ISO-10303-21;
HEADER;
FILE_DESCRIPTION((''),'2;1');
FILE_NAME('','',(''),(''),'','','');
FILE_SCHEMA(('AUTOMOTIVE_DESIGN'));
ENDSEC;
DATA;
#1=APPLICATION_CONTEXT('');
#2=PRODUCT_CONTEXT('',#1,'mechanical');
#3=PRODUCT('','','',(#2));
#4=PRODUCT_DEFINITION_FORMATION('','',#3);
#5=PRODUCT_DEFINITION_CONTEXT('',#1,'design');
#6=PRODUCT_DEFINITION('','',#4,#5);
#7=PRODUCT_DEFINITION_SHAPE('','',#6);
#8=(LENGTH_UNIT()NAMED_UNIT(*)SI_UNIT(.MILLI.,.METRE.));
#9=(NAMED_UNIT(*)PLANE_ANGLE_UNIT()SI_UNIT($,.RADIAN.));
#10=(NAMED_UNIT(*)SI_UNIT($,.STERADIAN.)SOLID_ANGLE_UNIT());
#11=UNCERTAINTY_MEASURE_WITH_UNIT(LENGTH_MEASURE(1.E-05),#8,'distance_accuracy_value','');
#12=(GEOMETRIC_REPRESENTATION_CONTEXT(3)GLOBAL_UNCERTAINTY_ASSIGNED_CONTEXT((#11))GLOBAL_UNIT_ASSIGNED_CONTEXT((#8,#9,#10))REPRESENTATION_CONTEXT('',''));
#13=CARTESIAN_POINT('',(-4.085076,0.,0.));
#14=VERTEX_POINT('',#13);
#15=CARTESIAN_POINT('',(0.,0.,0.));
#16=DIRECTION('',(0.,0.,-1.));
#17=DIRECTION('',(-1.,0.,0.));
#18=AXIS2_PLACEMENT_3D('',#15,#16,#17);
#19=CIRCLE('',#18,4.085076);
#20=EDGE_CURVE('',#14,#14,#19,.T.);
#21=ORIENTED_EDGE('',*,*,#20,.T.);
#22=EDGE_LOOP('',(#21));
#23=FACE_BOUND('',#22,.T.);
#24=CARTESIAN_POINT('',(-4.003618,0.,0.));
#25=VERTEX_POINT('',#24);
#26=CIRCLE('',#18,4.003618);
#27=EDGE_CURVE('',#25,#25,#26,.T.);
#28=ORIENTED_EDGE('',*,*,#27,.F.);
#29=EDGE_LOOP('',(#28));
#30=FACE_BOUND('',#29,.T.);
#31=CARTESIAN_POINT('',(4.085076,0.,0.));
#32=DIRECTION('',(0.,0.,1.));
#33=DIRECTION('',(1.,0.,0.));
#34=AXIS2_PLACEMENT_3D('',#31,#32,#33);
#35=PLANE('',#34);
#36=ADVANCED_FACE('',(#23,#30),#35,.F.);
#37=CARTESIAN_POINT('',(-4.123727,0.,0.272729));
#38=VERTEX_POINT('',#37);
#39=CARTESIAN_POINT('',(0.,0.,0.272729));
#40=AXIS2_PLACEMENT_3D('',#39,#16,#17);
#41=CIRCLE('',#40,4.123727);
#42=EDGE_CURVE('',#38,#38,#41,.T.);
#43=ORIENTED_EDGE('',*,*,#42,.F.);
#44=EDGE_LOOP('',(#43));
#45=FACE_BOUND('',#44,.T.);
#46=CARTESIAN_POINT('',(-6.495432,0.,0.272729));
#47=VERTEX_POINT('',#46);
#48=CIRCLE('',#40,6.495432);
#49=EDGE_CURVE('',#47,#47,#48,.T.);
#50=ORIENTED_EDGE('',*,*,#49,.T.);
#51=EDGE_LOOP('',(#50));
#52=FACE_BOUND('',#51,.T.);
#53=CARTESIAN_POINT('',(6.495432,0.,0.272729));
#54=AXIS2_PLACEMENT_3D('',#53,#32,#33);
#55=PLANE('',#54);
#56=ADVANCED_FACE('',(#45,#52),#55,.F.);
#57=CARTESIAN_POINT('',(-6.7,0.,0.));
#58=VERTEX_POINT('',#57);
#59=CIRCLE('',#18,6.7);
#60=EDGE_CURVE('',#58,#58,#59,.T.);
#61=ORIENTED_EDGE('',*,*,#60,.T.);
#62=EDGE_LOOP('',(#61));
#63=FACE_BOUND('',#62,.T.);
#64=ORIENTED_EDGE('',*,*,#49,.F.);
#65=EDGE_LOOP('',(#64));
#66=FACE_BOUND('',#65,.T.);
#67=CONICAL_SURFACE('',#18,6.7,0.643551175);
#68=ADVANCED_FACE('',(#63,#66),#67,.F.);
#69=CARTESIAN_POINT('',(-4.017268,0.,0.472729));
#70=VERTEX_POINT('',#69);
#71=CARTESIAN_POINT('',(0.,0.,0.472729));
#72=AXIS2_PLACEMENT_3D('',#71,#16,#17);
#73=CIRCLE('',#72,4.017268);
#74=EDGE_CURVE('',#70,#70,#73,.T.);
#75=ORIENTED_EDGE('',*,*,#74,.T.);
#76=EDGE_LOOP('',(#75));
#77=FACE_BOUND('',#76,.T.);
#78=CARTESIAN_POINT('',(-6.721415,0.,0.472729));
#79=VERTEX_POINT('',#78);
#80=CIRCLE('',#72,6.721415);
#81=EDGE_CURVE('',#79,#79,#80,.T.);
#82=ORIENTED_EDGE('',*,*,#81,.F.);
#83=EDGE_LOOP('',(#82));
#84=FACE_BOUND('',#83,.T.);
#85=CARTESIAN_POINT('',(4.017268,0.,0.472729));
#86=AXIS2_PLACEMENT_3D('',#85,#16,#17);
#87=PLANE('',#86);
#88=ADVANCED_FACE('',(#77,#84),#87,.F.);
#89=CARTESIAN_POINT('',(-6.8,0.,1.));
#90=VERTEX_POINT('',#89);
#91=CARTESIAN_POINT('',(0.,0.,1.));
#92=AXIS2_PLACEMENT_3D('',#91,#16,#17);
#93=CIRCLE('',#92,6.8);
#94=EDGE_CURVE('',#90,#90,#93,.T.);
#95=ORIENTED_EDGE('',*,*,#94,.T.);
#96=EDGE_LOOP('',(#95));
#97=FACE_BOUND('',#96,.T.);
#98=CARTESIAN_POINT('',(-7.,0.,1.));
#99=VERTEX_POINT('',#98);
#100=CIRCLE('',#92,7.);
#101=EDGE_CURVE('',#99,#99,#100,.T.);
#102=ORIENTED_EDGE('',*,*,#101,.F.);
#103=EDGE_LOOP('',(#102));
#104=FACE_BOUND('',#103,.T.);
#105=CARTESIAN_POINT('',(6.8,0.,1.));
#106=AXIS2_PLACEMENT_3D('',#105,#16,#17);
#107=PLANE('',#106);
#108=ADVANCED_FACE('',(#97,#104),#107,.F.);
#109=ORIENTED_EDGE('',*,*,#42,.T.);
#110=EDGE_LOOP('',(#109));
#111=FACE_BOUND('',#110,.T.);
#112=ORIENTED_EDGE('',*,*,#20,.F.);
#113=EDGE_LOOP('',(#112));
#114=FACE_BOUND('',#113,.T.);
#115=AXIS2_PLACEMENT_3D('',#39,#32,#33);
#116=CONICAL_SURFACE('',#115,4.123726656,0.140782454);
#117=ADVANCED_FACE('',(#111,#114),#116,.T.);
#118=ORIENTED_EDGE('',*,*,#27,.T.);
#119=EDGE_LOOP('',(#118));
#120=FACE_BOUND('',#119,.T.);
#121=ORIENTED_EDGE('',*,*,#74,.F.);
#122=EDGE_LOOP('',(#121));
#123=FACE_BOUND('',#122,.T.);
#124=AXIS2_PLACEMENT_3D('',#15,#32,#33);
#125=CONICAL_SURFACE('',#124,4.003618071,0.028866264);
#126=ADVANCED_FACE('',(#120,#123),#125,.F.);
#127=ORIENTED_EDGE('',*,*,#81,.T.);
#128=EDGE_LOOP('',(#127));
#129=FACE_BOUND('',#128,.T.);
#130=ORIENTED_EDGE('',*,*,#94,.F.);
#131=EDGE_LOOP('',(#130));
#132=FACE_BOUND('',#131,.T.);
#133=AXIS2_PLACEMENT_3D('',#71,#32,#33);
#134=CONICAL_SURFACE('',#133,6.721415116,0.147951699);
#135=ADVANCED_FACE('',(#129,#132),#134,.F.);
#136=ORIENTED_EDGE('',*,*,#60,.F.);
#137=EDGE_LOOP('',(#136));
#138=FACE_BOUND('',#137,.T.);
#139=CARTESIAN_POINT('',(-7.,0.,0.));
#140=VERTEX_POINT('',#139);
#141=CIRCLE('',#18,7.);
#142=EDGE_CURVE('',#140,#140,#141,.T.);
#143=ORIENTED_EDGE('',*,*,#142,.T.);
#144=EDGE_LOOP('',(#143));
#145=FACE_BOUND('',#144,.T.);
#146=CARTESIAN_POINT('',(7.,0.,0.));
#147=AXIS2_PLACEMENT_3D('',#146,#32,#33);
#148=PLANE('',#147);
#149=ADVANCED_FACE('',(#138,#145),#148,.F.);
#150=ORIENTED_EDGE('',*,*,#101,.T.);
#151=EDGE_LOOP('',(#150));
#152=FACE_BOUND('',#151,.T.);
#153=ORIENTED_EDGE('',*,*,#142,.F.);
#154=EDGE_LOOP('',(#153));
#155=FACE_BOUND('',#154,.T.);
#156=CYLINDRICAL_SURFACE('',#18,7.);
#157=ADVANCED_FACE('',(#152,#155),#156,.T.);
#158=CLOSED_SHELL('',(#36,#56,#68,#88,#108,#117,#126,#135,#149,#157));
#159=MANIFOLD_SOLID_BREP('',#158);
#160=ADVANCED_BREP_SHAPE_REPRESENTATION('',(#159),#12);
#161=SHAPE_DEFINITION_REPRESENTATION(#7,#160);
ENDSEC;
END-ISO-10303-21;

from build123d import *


with BuildPart() as part:
    # 스케치2 → 회전1 (revolve)
    with BuildSketch(Plane(origin=(0, 0, 0), x_dir=(1, 0, 0), z_dir=(0, 1, 0)), mode=Mode.PRIVATE) as revolve_1_sk:
        Polygon((6.721415116, -0.472728965), (6.8, -1), (7, -1), (7, 0), (6.7, 0), (6.49543194, -0.272728965), (4.123726656, -0.272728965), (4.085075514, 0), (4.003618071, 0), (4.017267781, -0.472728965), align=None)
    revolve(revolve_1_sk.sketch.rotate(Axis((0, 0, 0), (0, 0, 1)), 180), axis=Axis((0, 0, 0), (0, 0, 1)))


solid = part.part
